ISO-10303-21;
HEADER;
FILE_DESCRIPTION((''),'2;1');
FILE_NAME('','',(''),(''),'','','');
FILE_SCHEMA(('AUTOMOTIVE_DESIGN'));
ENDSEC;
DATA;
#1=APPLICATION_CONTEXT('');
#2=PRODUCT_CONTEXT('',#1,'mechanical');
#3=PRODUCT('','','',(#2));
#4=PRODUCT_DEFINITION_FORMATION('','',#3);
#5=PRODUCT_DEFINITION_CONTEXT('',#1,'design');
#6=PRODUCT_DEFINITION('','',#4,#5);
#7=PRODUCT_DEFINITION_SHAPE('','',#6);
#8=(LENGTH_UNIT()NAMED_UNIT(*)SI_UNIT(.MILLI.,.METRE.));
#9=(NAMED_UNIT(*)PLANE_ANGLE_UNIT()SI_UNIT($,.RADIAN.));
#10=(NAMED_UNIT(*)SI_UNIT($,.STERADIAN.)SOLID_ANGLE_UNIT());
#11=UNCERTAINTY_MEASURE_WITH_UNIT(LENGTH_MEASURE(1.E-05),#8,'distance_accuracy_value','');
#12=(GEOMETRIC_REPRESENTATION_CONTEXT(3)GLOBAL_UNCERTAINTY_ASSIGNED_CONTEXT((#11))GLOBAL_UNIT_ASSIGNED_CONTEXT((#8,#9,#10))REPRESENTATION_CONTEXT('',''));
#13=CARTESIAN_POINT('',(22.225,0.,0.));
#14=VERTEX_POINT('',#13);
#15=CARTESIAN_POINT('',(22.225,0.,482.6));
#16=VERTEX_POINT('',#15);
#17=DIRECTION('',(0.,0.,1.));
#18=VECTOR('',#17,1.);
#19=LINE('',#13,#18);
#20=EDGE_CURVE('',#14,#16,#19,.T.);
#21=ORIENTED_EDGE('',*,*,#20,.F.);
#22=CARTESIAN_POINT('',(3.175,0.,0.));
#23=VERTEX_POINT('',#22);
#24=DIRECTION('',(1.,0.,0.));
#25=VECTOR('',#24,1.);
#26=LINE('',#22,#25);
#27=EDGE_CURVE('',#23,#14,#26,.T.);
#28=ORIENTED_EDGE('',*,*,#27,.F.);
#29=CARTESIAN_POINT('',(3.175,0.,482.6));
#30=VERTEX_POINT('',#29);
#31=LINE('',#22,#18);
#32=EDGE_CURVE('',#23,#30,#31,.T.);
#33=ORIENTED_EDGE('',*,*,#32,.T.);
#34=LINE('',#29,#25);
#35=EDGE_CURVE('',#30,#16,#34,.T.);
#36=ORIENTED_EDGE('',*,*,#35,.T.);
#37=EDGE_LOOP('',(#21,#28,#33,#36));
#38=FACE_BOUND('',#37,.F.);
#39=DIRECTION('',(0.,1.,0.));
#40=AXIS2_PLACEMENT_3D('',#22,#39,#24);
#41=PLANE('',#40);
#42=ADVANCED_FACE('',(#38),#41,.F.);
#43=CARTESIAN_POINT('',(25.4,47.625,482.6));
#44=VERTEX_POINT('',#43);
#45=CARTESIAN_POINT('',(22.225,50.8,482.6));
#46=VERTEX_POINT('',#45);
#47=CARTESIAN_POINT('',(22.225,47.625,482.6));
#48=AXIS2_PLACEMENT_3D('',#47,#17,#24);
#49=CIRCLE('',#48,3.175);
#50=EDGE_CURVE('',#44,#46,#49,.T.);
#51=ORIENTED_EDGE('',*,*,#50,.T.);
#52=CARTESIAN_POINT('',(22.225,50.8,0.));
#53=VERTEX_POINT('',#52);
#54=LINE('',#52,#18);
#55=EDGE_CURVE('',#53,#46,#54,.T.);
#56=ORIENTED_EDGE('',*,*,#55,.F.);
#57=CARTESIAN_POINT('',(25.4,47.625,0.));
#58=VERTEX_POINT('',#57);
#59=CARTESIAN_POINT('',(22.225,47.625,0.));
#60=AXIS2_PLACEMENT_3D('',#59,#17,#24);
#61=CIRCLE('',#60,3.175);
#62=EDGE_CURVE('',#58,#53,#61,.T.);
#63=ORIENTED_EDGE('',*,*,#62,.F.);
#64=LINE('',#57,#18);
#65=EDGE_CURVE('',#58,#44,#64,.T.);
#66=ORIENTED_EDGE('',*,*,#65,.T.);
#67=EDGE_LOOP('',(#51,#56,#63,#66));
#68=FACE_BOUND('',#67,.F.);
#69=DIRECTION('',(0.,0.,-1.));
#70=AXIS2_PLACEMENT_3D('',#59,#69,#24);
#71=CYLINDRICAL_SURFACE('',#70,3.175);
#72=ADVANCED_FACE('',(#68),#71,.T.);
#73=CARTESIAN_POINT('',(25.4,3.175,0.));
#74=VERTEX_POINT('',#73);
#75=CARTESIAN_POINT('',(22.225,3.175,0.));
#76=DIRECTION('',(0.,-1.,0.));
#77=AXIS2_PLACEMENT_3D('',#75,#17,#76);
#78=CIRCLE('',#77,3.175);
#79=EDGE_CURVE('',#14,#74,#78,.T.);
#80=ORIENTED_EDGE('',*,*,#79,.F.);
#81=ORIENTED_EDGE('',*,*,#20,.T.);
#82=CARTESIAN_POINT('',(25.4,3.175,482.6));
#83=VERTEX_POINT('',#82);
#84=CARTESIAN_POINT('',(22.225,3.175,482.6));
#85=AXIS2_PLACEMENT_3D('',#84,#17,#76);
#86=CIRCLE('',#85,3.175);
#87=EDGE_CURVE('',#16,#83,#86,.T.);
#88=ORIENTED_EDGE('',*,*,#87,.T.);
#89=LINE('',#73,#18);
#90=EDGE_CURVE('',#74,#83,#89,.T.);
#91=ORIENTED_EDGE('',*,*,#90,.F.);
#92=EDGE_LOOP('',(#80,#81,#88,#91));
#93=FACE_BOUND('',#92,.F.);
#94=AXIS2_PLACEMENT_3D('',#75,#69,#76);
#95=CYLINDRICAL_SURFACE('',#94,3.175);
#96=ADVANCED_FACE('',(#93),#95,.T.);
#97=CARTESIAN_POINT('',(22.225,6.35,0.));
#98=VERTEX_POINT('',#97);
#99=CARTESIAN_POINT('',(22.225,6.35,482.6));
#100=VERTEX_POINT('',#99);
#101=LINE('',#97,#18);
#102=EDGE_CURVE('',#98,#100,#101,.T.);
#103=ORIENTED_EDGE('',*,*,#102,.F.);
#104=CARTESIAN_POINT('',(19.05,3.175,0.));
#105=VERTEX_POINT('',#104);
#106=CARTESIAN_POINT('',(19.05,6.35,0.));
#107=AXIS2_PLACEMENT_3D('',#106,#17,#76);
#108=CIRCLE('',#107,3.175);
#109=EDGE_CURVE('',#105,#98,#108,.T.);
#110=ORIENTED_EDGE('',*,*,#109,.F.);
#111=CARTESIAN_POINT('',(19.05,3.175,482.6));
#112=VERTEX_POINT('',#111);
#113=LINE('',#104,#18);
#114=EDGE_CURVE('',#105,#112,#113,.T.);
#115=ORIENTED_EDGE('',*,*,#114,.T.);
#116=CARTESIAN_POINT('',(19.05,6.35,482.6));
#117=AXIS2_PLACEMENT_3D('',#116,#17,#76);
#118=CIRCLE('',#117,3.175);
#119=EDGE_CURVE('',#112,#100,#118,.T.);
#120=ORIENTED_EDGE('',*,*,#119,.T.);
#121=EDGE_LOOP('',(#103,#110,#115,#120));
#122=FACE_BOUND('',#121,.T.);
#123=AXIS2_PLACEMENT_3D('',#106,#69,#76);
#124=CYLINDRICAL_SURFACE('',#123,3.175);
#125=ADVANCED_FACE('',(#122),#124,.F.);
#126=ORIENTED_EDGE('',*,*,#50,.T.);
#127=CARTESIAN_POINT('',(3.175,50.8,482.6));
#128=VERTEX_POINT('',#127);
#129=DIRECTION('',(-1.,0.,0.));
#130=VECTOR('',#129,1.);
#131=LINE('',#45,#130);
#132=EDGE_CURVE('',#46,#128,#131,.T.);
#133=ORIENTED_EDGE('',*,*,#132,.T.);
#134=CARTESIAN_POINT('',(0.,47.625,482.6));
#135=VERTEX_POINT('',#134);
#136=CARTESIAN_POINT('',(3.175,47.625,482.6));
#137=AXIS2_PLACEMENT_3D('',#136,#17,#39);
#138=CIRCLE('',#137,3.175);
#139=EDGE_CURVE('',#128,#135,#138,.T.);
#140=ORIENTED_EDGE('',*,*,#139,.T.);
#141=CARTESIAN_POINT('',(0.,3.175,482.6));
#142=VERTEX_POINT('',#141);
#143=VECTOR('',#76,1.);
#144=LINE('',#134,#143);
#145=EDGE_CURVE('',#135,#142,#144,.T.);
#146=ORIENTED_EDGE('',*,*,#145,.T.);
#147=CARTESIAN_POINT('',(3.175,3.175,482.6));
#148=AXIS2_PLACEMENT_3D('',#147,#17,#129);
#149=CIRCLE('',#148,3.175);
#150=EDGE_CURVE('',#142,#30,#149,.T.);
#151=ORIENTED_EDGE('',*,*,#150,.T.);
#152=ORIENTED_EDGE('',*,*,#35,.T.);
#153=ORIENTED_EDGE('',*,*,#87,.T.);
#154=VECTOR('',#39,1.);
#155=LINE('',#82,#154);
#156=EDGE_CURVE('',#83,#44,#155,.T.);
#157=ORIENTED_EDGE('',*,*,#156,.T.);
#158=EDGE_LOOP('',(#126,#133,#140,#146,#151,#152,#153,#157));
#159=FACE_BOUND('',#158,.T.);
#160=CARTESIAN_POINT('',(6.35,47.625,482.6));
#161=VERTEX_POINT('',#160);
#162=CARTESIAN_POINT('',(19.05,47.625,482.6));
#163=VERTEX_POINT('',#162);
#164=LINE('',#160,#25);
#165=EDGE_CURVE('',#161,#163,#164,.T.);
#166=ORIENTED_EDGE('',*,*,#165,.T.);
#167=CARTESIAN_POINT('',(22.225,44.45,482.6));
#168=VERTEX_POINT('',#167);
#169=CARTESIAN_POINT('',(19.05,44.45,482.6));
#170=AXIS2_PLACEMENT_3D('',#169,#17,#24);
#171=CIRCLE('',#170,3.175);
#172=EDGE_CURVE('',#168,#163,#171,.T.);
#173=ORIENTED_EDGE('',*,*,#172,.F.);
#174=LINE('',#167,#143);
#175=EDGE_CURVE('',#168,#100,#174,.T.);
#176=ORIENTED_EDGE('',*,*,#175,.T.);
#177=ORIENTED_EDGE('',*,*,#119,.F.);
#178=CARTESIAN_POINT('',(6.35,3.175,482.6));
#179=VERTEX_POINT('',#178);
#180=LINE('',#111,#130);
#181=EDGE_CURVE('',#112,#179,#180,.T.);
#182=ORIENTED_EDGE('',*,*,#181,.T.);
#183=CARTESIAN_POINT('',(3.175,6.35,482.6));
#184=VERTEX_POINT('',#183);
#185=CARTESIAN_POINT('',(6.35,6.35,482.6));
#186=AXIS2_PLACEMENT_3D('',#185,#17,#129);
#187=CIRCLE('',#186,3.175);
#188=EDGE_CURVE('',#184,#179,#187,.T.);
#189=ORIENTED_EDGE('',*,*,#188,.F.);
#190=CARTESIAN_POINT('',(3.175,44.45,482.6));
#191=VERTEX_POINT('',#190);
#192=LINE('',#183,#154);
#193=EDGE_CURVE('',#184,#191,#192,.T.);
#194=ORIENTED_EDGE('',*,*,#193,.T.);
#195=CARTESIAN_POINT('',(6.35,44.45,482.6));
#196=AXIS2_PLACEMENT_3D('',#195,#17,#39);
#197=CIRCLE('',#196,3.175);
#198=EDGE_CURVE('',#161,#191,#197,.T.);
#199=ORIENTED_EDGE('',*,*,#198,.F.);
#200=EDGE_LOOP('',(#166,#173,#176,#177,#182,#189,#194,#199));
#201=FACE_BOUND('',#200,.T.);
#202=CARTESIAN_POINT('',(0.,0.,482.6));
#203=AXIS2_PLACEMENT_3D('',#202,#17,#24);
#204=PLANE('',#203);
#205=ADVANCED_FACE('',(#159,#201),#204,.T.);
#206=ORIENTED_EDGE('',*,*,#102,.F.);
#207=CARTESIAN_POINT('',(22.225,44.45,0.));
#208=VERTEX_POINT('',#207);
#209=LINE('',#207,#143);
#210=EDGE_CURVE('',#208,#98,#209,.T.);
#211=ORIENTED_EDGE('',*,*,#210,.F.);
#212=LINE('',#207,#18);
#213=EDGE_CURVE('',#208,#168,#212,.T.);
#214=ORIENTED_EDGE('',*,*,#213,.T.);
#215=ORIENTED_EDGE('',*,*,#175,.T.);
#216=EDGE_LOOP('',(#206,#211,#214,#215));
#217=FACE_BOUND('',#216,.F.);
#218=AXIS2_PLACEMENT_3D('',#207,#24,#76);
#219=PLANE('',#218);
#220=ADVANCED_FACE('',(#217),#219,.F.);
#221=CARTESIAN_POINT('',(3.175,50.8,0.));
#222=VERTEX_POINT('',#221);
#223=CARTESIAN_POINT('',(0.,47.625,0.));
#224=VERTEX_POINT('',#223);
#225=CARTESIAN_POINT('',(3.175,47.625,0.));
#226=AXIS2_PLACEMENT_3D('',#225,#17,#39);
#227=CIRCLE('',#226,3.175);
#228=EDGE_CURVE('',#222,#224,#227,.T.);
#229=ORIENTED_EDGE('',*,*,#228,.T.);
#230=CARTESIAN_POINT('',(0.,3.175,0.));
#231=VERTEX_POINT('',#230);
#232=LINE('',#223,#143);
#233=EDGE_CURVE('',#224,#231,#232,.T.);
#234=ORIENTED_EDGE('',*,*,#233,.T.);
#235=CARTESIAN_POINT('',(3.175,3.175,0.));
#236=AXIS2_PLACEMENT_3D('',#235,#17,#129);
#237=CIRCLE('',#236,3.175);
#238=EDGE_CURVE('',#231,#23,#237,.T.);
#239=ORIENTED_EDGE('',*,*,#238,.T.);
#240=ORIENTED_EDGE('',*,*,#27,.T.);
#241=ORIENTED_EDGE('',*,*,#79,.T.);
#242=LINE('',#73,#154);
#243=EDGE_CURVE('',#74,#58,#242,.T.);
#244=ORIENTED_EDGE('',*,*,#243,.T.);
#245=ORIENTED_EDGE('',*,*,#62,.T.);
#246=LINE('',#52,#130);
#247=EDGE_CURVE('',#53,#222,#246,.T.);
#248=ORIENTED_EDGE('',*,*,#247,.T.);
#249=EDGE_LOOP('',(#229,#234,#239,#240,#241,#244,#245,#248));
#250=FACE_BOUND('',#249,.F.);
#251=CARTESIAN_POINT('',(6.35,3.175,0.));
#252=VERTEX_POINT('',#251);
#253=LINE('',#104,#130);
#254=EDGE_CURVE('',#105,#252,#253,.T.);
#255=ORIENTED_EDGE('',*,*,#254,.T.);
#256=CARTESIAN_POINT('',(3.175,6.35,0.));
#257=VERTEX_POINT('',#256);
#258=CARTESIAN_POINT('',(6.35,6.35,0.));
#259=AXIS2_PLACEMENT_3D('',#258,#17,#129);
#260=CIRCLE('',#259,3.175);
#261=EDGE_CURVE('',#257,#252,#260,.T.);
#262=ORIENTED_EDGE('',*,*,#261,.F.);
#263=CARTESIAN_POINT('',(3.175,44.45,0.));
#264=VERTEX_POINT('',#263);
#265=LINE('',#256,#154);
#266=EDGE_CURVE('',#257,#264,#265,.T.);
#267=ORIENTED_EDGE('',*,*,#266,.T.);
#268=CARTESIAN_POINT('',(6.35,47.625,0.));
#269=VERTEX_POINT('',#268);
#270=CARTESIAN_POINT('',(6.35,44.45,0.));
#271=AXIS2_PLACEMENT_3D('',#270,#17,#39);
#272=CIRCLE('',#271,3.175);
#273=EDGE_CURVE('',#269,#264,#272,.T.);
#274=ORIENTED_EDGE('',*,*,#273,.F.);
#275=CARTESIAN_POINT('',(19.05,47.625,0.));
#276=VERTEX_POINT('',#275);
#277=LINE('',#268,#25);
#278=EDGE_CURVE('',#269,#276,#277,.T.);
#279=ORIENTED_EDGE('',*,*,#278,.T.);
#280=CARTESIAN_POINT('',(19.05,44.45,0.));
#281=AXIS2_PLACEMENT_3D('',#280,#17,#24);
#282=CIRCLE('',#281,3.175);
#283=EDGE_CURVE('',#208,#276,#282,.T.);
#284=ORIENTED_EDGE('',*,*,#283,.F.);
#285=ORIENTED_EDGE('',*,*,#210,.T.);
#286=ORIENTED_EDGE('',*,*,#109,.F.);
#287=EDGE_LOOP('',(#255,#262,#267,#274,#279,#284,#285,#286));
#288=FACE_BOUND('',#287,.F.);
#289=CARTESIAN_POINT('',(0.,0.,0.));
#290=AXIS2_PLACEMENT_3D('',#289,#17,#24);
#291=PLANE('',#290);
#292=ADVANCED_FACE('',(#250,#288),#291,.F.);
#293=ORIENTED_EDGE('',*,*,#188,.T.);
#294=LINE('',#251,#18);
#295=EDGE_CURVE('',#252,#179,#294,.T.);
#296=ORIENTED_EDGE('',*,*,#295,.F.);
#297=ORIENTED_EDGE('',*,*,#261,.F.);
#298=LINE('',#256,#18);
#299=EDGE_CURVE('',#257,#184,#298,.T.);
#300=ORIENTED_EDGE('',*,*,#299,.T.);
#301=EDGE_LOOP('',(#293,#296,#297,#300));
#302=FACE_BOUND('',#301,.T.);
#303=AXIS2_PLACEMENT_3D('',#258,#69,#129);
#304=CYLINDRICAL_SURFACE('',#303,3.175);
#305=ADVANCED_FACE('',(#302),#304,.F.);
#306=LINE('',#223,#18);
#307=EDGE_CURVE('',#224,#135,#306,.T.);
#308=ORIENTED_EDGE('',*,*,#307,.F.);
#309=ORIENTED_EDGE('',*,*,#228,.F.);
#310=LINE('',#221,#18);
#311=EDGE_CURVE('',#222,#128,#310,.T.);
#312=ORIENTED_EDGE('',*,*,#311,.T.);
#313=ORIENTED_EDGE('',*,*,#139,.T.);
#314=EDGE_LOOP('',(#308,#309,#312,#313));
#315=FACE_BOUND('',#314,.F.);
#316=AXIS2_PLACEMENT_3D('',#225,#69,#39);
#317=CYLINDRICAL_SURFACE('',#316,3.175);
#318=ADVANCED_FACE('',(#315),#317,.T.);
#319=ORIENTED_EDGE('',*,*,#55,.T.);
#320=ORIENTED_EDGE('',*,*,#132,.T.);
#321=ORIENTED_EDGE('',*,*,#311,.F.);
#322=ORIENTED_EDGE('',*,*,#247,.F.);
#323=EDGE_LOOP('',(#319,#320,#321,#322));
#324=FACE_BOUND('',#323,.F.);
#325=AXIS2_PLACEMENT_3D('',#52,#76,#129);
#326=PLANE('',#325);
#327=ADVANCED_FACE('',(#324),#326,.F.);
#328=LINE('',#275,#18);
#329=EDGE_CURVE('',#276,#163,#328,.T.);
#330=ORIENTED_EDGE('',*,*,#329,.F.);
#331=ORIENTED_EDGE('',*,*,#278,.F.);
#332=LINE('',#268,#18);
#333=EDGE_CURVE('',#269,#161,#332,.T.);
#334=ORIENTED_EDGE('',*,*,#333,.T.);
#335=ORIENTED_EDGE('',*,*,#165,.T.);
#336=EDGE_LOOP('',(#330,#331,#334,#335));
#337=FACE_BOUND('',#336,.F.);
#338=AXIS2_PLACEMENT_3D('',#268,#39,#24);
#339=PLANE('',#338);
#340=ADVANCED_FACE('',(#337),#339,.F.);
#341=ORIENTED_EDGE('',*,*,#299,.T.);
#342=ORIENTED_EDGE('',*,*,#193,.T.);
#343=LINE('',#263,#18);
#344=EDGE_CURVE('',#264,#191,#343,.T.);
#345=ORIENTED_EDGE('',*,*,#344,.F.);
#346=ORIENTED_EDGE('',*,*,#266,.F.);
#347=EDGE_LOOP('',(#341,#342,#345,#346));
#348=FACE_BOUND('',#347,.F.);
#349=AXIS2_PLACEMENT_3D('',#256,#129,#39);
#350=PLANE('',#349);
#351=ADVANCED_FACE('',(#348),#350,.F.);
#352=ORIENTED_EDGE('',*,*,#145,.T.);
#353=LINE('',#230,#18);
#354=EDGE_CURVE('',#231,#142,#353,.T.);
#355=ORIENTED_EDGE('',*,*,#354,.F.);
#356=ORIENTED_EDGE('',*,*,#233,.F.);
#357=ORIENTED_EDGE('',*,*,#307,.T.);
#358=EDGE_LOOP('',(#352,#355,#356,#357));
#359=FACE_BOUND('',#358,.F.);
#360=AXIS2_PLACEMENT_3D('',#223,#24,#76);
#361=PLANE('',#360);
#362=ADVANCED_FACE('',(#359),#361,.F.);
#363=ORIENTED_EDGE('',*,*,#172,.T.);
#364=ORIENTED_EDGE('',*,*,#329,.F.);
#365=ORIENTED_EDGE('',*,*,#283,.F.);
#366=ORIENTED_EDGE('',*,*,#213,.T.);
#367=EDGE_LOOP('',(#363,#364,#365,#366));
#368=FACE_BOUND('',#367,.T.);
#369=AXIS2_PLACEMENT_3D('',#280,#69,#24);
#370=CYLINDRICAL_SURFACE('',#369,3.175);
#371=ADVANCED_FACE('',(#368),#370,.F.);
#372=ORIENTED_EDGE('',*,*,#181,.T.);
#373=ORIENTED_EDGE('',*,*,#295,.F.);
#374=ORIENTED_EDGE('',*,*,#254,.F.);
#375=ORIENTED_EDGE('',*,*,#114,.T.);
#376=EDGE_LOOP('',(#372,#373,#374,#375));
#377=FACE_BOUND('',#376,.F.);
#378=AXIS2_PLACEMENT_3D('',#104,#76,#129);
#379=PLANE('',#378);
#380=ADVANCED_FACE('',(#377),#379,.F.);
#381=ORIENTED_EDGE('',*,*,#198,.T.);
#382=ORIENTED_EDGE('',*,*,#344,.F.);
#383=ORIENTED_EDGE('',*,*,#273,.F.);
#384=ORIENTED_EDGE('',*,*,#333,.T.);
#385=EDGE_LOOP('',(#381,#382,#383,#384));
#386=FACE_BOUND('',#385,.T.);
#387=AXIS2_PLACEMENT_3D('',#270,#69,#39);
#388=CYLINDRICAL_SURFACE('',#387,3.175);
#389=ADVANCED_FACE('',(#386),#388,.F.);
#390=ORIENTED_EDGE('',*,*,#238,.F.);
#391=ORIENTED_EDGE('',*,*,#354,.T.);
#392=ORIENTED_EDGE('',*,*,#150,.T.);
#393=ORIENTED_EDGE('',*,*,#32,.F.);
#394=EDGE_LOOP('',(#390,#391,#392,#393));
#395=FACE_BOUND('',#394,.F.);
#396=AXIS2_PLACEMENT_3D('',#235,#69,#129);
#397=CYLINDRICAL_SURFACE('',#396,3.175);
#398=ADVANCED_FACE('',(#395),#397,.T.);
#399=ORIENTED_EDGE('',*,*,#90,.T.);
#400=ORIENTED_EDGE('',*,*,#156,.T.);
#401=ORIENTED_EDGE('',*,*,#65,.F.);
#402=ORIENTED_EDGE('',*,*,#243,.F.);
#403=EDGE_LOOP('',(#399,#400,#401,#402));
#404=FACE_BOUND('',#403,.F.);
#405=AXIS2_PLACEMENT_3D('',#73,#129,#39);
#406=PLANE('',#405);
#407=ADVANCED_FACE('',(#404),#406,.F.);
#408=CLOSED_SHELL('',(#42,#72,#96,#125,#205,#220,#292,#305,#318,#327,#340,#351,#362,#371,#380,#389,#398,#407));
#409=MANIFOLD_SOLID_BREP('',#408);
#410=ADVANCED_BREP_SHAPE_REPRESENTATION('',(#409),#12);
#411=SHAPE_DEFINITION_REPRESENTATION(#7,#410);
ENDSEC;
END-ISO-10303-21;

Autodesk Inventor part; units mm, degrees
ref_plane "YZ Plane" through (0, 0, 0) normal (1, 0, 0) x (0, 1, 0)
ref_plane "XZ Plane" through (0, 0, 0) normal (0, 1, 0) x (-1, 0, 0)
ref_plane "XY Plane" through (0, 0, 0) normal (0, 0, 1) x (1, 0, 0)
sketch "Sketch1" plane through (0, 0, 0) normal (0, 0, 1) x (1, 0, 0)
  line L0 (3.175, 0) -> (22.225, 0)
  line L1 (25.4, 3.175) -> (25.4, 47.625)
  line L2 (22.225, 50.8) -> (3.175, 50.8)
  line L3 (0, 47.625) -> (0, 3.175)
  arc A0 (3.175, 50.8) -> (0, 47.625) centre (3.175, 47.625) ccw
  arc A1 (25.4, 47.625) -> (22.225, 50.8) centre (22.225, 47.625) ccw
  arc A2 (22.225, 0) -> (25.4, 3.175) centre (22.225, 3.175) ccw
  arc A3 (0, 3.175) -> (3.175, 0) centre (3.175, 3.175) ccw
  line L4 (6.35, 47.625) -> (19.05, 47.625)
  line L5 (22.225, 44.45) -> (22.225, 6.35)
  line L6 (19.05, 3.175) -> (6.35, 3.175)
  line L7 (3.175, 6.35) -> (3.175, 44.45)
  arc A4 (6.35, 47.625) -> (3.175, 44.45) centre (6.35, 44.45) ccw
  arc A5 (22.225, 44.45) -> (19.05, 47.625) centre (19.05, 44.45) ccw
  arc A6 (3.175, 6.35) -> (6.35, 3.175) centre (6.35, 6.35) ccw
  arc A7 (19.05, 3.175) -> (22.225, 6.35) centre (19.05, 6.35) ccw
  point P0 (0, 0)
  point P1 (25.4, 0)
  point P2 (0, 50.8)
  dimension "d0" = 50.8
  dimension "d1" = 25.4
  dimension "d2" = 3.175
  dimension "d3" = 3.175
  dimension "d4" = 3.175
  dimension "d5" = 3.175
  dimension "d6" = 3.175
  dimension "d7" = 3.175
  dimension "d8" = 3.175
  dimension "d9" = 3.175
  dimension "d10" = 3.175
extrude "Extrusion1" add sketch "Sketch1" along normal blind 482.6
properties part number "O channel 19 inch"
